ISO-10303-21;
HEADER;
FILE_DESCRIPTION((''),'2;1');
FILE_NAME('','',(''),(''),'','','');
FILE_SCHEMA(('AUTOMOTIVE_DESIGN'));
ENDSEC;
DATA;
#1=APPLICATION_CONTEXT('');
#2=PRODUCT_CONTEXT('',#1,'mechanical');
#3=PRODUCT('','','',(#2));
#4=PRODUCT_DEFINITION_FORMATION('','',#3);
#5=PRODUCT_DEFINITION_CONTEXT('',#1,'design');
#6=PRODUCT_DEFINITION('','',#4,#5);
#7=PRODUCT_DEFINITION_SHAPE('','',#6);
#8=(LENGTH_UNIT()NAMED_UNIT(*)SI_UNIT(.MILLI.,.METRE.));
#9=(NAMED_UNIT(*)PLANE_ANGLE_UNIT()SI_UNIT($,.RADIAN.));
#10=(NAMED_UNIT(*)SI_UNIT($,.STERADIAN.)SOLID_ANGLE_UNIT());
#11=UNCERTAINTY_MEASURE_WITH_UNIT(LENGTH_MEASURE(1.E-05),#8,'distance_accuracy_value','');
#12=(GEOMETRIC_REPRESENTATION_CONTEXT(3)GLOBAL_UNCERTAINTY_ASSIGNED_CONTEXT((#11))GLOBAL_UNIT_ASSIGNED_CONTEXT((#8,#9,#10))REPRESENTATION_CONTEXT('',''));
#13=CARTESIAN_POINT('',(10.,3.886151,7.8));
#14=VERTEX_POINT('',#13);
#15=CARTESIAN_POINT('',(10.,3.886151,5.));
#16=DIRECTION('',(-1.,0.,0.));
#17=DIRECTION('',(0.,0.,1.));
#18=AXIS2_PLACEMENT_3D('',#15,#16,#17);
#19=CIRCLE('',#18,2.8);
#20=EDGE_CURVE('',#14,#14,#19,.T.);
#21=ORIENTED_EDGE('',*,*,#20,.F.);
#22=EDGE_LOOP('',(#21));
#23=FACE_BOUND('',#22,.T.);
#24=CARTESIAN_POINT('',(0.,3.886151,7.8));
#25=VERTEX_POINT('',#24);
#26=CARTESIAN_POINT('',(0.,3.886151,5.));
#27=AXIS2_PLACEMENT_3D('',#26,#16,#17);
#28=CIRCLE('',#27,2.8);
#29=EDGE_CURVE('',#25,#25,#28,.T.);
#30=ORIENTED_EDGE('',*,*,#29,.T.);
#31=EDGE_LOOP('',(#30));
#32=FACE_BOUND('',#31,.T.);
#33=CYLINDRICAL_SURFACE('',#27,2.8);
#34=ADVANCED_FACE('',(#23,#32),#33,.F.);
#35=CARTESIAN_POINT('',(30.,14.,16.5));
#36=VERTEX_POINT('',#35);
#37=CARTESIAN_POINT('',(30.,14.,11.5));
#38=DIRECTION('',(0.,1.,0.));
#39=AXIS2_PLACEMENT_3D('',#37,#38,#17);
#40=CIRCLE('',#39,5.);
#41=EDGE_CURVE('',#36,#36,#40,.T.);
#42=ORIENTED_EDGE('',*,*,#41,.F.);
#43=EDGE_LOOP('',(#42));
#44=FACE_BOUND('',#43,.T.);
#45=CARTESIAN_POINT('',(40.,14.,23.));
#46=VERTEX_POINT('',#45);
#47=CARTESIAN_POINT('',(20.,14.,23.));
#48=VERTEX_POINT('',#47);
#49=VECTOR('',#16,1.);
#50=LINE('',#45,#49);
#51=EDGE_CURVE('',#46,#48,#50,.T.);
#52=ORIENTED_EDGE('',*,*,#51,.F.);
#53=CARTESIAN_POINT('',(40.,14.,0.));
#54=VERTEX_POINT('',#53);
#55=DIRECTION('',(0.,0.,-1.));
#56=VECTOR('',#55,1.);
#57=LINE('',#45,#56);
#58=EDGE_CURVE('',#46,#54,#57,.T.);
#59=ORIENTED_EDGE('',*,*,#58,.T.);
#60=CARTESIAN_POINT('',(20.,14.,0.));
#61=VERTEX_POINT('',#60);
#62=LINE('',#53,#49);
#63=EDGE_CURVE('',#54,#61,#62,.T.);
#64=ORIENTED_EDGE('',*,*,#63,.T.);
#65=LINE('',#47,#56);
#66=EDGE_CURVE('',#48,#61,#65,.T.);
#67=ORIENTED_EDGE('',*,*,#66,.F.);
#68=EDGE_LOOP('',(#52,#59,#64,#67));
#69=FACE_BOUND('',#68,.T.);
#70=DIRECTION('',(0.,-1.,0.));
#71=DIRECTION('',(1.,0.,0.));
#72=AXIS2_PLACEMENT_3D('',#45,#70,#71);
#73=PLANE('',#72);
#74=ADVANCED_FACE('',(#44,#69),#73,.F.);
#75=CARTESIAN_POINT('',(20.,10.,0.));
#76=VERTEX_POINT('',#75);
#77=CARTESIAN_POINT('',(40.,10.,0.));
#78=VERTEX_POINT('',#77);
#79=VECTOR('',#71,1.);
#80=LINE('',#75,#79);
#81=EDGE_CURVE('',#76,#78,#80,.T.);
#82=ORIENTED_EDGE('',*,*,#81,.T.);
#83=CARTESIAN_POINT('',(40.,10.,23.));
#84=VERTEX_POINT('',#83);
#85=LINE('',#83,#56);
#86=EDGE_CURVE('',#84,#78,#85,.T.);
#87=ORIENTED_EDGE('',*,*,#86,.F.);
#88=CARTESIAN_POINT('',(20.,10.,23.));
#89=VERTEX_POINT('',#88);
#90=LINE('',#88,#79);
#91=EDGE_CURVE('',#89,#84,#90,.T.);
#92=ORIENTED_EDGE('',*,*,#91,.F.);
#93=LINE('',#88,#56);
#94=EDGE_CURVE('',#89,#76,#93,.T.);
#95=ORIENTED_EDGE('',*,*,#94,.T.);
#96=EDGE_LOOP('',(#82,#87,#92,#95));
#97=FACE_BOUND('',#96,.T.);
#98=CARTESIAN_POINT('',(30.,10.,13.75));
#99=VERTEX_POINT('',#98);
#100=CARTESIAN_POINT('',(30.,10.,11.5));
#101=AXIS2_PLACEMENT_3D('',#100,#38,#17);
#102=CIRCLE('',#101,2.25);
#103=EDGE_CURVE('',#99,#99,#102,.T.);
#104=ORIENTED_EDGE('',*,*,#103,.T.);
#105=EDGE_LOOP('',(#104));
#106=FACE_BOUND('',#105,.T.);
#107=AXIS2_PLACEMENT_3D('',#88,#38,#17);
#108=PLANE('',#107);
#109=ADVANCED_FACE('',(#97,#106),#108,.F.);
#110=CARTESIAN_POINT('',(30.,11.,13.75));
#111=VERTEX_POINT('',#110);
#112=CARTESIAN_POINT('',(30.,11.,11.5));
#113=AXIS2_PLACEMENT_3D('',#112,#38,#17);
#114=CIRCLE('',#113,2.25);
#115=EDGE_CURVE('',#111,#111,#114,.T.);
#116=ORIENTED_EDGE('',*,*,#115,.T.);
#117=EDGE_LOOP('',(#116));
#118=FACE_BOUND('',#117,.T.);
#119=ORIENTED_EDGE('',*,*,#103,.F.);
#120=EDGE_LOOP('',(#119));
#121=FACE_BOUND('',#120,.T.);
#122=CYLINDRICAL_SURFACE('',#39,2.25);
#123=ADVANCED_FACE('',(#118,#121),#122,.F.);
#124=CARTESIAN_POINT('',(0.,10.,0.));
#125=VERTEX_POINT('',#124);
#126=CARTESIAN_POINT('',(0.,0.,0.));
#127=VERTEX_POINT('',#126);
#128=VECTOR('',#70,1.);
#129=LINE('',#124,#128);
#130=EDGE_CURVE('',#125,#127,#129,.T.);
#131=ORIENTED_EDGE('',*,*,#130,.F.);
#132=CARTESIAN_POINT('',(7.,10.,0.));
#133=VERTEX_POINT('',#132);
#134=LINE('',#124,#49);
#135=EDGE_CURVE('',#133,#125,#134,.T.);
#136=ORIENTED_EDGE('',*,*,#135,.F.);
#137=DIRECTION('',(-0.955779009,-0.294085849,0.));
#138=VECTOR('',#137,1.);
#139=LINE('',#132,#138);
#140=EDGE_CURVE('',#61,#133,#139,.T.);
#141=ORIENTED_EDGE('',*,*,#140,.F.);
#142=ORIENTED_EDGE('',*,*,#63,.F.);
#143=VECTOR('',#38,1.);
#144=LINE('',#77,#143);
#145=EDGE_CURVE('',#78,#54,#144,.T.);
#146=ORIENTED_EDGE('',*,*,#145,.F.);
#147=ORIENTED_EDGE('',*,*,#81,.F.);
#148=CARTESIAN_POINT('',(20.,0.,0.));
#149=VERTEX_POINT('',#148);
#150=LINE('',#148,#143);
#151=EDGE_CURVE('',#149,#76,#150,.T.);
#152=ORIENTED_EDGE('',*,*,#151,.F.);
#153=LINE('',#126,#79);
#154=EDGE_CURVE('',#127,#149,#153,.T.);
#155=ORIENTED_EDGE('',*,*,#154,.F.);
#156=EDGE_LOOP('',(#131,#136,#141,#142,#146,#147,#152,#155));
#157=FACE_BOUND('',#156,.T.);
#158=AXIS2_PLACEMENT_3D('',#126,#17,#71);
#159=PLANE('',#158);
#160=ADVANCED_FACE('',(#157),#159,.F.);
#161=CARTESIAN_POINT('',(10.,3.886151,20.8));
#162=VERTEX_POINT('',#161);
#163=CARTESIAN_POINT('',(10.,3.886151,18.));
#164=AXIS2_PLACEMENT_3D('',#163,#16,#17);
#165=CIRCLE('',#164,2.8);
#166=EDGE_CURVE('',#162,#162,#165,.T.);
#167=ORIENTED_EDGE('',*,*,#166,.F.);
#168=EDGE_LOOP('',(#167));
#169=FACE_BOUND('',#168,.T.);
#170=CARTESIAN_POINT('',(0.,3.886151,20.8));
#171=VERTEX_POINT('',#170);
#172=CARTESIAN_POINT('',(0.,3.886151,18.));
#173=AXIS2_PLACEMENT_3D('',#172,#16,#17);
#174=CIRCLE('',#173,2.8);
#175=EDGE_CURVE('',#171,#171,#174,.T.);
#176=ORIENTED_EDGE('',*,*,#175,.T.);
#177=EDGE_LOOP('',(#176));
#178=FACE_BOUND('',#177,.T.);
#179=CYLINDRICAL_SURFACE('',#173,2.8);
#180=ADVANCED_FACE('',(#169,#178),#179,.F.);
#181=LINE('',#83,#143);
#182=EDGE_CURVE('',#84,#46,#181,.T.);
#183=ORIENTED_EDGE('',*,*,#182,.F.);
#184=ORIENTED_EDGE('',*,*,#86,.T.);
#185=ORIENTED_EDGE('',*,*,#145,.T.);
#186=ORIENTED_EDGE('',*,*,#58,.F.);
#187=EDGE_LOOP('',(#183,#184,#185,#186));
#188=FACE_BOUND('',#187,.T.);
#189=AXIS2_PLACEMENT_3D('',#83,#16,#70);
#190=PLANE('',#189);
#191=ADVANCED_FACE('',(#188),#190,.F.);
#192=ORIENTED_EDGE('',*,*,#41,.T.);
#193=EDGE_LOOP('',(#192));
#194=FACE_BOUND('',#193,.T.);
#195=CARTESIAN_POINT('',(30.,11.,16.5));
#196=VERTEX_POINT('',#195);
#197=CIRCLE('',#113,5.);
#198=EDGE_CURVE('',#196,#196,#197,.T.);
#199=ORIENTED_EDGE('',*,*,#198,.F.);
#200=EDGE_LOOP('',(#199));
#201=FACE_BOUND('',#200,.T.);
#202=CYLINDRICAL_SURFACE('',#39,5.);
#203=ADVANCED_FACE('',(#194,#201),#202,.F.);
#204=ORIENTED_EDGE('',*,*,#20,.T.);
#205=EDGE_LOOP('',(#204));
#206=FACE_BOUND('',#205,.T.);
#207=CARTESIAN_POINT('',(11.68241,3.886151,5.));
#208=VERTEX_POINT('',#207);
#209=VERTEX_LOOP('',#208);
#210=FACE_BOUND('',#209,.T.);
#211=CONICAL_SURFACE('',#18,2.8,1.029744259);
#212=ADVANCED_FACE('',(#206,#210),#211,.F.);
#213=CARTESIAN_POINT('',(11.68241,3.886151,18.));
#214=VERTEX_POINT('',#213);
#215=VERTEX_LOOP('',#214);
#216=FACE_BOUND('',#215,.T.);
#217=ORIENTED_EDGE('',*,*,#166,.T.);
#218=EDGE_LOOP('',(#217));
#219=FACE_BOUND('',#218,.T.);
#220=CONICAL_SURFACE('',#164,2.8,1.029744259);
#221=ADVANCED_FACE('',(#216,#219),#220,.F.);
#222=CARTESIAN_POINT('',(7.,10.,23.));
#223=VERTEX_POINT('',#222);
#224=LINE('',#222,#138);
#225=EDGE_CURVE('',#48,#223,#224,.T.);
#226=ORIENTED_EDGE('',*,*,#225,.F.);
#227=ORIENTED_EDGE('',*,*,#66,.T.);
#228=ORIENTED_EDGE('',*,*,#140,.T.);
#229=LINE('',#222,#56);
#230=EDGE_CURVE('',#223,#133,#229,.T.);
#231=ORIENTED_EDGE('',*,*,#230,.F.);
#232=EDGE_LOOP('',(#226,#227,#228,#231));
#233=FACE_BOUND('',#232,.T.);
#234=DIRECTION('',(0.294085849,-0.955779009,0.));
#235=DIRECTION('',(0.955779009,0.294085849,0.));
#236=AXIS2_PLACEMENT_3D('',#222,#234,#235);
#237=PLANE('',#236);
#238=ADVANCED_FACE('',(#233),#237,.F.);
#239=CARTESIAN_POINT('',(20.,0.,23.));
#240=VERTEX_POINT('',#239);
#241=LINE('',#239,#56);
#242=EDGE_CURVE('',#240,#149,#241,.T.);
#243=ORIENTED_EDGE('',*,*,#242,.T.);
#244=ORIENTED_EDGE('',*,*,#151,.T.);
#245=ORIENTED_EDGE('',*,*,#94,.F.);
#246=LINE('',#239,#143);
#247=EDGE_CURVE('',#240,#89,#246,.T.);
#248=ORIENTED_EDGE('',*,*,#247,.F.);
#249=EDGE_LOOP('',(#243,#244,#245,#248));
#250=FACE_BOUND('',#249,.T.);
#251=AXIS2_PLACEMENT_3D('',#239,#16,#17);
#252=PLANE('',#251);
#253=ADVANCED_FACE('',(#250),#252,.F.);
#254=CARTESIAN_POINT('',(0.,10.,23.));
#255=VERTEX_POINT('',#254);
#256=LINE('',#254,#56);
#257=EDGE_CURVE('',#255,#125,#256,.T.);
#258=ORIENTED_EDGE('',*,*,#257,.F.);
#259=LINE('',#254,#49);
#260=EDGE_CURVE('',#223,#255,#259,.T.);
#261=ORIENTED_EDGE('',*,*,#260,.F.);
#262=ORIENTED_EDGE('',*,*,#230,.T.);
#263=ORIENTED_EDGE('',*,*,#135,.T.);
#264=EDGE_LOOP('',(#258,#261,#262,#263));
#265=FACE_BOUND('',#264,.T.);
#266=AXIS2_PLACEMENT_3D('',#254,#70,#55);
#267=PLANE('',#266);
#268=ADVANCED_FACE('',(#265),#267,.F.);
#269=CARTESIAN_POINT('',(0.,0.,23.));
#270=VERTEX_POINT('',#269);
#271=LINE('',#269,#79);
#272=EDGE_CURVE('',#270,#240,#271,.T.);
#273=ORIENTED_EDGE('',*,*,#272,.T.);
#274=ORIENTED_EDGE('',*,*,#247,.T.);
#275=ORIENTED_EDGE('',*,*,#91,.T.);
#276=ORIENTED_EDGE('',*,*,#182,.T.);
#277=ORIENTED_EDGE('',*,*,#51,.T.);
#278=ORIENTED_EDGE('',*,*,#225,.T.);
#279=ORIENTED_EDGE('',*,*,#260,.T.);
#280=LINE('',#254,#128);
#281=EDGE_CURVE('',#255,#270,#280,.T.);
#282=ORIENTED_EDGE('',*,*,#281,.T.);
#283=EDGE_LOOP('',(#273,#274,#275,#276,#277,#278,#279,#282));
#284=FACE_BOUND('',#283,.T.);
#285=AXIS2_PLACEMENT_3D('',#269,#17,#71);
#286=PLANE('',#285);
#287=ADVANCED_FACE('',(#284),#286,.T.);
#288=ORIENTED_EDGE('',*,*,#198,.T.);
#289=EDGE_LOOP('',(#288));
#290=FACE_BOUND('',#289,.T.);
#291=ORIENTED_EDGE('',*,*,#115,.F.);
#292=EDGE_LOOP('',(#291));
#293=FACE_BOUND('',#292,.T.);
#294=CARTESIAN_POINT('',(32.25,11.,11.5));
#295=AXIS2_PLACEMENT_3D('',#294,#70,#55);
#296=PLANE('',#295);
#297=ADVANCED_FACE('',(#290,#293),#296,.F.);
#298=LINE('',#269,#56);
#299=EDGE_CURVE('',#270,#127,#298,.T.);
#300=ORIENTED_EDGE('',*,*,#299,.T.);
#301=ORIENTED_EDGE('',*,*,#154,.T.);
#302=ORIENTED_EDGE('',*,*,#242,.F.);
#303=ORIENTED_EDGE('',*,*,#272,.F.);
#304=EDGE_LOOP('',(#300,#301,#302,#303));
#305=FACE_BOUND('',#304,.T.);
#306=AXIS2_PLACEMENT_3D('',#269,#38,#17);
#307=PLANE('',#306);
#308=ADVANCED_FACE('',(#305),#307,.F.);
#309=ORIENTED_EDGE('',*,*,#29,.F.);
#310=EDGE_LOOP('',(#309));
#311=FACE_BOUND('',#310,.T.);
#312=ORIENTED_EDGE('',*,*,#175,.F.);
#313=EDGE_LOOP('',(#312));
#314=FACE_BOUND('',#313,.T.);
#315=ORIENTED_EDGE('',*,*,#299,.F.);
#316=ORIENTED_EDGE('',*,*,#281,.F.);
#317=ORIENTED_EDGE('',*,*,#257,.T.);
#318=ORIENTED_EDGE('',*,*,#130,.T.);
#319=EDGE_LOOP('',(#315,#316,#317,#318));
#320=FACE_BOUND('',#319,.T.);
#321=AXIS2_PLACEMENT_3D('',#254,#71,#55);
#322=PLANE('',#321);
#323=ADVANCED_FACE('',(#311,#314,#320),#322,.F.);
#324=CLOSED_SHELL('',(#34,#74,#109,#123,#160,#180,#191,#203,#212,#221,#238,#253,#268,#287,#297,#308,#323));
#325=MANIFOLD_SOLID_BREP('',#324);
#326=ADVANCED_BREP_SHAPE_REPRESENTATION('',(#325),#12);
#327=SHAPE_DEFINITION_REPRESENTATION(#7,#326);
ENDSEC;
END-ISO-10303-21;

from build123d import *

# Parameters (mm, degrees)
ESTRUSIONE_ESTRUSIONE1_DEPTH                         = 23
FORO_PER_VITE_M4_1_D                                 = 5.6
FORO_PER_VITE_M4_1_DEPTH                             = 10
FORO_PER_VITE_M4_1_TIP                               = 1.682409733
FORO_LAMATO_PER_BULLONE_M5_A_TESTA_ESAGO_D           = 4.5
FORO_LAMATO_PER_BULLONE_M5_A_TESTA_ESAGO_DEPTH       = 10
FORO_LAMATO_PER_BULLONE_M5_A_TESTA_ESAGO_CBORE_D     = 10
FORO_LAMATO_PER_BULLONE_M5_A_TESTA_ESAGO_CBORE_DEPTH = 3
FORO_LAMATO_PER_BULLONE_M5_A_TESTA_ESAGO_TIP         = 1.351936393


with BuildPart() as part:
    # Schizzo1 → Estrusione-Estrusione1 (new body)
    with BuildSketch(Plane.XY):
        Polygon((0, 0), (20, 0), (20, 10), (40, 10), (40, 14), (20, 14), (7, 10), (0, 10), align=None)
    extrude(amount=ESTRUSIONE_ESTRUSIONE1_DEPTH)

    # Foro per Vite M4-1
    with Locations(Plane(origin=(0, 3.886151, 5), x_dir=(0, 0, -1), z_dir=(-1, 0, 0))):
        with Locations((0, 0), (-13, 0)):
            Hole(FORO_PER_VITE_M4_1_D / 2, depth=FORO_PER_VITE_M4_1_DEPTH)
            with Locations((0, 0, -(FORO_PER_VITE_M4_1_DEPTH + FORO_PER_VITE_M4_1_TIP / 2))):  # 118° drill point
                Cone(0, FORO_PER_VITE_M4_1_D / 2, FORO_PER_VITE_M4_1_TIP, mode=Mode.SUBTRACT)

    # Foro lamato per Bullone M5 a testa esagonale-1
    with Locations(Plane(origin=(0, 14, 0), x_dir=(1, 0, 0), z_dir=(0, 1, 0))):
        with Locations((30, -11.5)):
            CounterBoreHole(FORO_LAMATO_PER_BULLONE_M5_A_TESTA_ESAGO_D / 2, FORO_LAMATO_PER_BULLONE_M5_A_TESTA_ESAGO_CBORE_D / 2, FORO_LAMATO_PER_BULLONE_M5_A_TESTA_ESAGO_CBORE_DEPTH, depth=FORO_LAMATO_PER_BULLONE_M5_A_TESTA_ESAGO_DEPTH)
            with Locations((0, 0, -(FORO_LAMATO_PER_BULLONE_M5_A_TESTA_ESAGO_DEPTH + FORO_LAMATO_PER_BULLONE_M5_A_TESTA_ESAGO_TIP / 2))):  # 118° drill point
                Cone(0, FORO_LAMATO_PER_BULLONE_M5_A_TESTA_ESAGO_D / 2, FORO_LAMATO_PER_BULLONE_M5_A_TESTA_ESAGO_TIP, mode=Mode.SUBTRACT)


solid = part.part
